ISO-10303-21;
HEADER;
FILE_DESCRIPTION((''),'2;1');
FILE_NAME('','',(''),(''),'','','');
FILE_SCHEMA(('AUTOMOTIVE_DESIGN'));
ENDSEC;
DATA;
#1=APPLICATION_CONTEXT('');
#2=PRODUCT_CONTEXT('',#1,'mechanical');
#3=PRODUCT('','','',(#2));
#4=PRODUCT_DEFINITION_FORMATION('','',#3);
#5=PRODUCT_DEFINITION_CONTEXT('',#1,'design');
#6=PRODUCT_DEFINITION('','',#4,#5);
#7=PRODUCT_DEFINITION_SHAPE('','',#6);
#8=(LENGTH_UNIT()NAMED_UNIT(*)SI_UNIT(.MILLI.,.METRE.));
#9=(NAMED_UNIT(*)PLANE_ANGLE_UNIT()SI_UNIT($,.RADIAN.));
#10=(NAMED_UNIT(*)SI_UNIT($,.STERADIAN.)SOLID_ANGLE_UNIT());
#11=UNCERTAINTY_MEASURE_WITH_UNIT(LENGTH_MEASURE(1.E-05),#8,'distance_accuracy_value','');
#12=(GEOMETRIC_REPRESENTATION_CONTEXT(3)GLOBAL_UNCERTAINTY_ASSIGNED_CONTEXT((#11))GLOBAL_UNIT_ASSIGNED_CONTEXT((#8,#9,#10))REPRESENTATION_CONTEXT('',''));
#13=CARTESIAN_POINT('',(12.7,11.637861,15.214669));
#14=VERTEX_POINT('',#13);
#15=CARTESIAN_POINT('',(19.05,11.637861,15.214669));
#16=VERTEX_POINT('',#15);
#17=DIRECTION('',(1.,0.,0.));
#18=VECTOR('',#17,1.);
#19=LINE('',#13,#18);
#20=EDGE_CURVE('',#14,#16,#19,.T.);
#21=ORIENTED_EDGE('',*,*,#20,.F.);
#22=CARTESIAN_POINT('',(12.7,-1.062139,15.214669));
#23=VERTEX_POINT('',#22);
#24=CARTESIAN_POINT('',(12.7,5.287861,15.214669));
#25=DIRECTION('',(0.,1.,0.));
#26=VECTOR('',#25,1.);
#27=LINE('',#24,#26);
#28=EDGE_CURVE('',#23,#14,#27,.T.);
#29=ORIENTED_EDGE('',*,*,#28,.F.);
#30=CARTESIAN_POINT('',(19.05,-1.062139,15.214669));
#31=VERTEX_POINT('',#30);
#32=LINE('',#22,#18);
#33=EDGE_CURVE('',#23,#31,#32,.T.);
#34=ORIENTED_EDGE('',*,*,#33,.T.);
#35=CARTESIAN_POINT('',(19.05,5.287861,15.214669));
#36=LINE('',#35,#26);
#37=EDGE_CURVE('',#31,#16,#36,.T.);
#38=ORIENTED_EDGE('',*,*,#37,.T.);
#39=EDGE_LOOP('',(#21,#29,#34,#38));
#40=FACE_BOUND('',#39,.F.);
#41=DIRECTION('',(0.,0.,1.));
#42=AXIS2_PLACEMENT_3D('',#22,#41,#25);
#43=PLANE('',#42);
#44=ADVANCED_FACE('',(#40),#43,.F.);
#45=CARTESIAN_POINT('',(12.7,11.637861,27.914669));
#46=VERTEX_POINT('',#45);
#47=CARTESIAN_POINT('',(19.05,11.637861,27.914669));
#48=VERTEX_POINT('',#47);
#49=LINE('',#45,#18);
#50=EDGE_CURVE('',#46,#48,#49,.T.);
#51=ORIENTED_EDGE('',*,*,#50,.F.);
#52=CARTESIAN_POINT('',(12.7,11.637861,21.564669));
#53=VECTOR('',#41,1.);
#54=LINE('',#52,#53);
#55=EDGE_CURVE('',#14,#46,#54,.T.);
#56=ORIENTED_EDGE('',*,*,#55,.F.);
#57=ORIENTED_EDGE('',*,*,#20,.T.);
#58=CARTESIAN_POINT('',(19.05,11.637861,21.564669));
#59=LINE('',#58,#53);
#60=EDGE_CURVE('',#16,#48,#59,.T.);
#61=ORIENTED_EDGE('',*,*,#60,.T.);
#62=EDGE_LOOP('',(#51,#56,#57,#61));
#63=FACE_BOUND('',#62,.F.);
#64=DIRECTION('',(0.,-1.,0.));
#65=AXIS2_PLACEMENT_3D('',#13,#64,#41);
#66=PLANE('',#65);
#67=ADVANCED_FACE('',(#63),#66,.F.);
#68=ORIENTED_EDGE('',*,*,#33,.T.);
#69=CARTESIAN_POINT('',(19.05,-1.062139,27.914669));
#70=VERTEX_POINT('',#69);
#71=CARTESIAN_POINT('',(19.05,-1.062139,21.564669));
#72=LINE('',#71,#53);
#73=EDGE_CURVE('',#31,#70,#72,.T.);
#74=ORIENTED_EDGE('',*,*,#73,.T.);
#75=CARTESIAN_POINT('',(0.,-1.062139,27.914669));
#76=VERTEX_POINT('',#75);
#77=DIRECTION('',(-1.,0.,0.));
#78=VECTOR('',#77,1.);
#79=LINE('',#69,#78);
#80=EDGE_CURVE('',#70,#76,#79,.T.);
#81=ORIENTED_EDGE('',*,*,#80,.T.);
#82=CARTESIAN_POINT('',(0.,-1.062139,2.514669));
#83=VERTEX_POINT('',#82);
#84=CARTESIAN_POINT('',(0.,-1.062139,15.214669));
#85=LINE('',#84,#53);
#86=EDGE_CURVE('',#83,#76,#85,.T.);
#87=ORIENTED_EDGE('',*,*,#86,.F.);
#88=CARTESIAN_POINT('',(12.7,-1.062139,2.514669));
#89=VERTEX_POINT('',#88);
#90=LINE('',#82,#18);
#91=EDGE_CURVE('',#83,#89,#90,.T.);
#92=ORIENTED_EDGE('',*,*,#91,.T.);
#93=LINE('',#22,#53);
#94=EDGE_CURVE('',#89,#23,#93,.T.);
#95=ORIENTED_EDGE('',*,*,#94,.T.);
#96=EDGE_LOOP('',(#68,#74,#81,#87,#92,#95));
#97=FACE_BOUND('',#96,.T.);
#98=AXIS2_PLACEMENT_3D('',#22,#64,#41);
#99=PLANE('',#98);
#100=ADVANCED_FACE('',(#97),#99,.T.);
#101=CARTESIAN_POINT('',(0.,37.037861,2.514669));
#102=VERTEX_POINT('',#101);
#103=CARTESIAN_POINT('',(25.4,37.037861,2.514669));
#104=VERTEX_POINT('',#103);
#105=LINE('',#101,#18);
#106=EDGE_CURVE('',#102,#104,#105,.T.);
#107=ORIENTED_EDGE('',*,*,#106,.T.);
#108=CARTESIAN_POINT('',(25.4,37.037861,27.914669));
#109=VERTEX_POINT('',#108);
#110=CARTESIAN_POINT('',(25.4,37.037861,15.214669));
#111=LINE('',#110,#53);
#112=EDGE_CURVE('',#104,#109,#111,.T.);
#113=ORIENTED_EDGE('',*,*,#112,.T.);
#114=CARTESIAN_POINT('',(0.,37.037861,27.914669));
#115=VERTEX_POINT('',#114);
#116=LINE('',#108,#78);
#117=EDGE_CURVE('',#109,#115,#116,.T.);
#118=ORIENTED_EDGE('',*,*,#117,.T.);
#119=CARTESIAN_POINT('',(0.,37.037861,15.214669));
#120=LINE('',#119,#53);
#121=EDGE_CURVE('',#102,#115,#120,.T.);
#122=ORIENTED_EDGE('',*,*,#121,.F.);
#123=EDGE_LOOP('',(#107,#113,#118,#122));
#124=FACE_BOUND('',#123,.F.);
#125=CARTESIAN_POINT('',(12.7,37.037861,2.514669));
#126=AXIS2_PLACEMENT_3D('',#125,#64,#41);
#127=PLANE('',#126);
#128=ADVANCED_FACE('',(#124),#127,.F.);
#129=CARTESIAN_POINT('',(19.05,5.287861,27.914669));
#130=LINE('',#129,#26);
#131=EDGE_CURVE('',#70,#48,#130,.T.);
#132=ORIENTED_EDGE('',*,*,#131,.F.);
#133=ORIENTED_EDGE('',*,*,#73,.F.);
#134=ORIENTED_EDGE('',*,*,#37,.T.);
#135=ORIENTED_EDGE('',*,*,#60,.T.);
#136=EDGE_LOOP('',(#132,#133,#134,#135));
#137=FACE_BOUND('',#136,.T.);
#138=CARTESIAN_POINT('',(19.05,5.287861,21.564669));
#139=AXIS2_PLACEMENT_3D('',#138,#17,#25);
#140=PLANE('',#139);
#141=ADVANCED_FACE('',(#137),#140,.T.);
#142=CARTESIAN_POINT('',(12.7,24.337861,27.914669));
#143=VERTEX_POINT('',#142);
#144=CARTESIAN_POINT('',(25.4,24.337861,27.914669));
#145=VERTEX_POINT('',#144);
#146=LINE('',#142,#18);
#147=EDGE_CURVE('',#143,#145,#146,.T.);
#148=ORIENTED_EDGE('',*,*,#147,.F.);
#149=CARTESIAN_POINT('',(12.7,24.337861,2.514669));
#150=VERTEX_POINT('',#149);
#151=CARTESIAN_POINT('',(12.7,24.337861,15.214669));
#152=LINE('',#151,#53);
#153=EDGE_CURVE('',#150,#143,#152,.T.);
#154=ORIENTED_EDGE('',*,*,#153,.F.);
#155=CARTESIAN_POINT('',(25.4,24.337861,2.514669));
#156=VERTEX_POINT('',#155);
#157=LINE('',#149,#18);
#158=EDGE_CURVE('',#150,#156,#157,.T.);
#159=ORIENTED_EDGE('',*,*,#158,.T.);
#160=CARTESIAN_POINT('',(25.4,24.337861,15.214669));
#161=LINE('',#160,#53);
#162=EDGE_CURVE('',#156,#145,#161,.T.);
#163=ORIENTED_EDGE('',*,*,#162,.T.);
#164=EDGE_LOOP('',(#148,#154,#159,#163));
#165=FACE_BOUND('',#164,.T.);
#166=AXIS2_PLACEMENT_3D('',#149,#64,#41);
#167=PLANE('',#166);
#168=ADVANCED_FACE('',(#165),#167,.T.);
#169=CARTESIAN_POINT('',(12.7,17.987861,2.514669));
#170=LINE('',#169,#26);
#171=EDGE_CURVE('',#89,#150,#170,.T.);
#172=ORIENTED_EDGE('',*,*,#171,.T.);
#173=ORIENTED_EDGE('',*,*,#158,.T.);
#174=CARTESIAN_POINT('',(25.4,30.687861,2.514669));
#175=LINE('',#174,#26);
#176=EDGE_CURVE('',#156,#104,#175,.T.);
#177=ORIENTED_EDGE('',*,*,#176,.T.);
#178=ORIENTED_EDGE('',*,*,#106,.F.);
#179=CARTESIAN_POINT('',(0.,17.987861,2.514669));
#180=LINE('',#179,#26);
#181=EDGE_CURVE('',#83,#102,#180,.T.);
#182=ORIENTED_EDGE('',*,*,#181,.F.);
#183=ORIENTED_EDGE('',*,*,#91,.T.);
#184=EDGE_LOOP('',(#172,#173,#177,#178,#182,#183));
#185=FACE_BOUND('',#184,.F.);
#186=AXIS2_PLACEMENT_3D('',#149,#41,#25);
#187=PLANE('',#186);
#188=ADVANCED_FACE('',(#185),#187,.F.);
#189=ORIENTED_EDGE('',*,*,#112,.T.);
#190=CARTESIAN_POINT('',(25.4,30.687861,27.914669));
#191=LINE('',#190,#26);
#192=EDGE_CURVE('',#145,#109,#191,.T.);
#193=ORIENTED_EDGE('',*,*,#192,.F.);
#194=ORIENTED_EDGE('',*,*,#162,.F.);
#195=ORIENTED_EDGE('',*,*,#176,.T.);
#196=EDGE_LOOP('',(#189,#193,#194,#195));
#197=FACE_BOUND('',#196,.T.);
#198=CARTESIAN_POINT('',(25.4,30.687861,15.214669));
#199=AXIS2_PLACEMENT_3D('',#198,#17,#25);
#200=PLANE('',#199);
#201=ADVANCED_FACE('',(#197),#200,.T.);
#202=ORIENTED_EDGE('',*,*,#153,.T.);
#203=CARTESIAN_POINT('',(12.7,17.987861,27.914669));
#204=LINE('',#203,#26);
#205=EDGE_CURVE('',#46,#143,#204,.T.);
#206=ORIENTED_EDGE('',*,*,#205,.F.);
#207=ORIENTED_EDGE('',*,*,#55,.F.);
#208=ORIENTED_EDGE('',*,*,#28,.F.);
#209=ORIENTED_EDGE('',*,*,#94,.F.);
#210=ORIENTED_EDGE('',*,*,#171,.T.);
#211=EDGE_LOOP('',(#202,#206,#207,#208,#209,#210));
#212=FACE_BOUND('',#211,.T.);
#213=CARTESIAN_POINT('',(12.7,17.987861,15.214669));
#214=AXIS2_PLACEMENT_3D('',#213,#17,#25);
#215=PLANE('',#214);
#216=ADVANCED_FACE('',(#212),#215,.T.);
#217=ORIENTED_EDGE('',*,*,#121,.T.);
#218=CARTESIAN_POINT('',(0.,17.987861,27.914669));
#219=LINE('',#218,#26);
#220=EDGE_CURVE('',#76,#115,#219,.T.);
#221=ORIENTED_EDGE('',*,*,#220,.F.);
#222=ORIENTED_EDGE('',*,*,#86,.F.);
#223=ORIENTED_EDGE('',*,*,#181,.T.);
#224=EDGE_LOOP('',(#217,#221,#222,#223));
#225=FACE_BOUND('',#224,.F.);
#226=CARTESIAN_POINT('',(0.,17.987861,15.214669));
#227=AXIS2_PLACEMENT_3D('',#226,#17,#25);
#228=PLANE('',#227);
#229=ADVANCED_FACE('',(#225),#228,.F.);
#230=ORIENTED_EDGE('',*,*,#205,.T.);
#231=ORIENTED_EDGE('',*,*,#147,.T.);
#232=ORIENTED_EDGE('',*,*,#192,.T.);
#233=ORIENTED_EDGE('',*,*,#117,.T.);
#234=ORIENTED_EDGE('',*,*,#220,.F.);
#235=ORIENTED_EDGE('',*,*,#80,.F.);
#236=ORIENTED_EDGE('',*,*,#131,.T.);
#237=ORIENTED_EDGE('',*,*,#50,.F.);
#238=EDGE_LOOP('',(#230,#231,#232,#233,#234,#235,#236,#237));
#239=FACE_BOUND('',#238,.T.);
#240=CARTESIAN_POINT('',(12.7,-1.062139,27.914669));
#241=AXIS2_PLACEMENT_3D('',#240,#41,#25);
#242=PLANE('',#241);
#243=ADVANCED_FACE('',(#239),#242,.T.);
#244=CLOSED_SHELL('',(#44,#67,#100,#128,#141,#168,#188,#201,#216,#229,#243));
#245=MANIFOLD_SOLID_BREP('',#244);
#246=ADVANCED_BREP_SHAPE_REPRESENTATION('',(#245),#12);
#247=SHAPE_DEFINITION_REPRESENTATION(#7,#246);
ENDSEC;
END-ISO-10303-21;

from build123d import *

# Parameters (mm, degrees)
F0_W     = 38.1
F0_H     = 25.4
F1_DEPTH = 12.7
F2_W     = 12.7
F2_H     = 25.4
F3_DEPTH = 12.7
F4_W     = 12.7
F4_H     = 12.7
F5_DEPTH = 6.35


with BuildPart() as f1:
    # F0 (on Right) → F1 (new body)
    with BuildSketch(Plane.YZ):
        with Locations((17.987861, 15.214669)):
            Rectangle(F0_W, F0_H)
    extrude(amount=F1_DEPTH)

    # F2 (on face) → F3 (join)
    with BuildSketch(Plane.YZ.offset(12.7)):
        with Locations((30.687861, 15.214669)):
            Rectangle(F2_W, F2_H)
    extrude(amount=F3_DEPTH)

    # F4 (on face) → F5 (join)
    with BuildSketch(Plane.YZ.offset(12.7)):
        with Locations((5.287861, 21.564669)):
            Rectangle(F4_W, F4_H)
    extrude(amount=F5_DEPTH)


solid = f1.part
